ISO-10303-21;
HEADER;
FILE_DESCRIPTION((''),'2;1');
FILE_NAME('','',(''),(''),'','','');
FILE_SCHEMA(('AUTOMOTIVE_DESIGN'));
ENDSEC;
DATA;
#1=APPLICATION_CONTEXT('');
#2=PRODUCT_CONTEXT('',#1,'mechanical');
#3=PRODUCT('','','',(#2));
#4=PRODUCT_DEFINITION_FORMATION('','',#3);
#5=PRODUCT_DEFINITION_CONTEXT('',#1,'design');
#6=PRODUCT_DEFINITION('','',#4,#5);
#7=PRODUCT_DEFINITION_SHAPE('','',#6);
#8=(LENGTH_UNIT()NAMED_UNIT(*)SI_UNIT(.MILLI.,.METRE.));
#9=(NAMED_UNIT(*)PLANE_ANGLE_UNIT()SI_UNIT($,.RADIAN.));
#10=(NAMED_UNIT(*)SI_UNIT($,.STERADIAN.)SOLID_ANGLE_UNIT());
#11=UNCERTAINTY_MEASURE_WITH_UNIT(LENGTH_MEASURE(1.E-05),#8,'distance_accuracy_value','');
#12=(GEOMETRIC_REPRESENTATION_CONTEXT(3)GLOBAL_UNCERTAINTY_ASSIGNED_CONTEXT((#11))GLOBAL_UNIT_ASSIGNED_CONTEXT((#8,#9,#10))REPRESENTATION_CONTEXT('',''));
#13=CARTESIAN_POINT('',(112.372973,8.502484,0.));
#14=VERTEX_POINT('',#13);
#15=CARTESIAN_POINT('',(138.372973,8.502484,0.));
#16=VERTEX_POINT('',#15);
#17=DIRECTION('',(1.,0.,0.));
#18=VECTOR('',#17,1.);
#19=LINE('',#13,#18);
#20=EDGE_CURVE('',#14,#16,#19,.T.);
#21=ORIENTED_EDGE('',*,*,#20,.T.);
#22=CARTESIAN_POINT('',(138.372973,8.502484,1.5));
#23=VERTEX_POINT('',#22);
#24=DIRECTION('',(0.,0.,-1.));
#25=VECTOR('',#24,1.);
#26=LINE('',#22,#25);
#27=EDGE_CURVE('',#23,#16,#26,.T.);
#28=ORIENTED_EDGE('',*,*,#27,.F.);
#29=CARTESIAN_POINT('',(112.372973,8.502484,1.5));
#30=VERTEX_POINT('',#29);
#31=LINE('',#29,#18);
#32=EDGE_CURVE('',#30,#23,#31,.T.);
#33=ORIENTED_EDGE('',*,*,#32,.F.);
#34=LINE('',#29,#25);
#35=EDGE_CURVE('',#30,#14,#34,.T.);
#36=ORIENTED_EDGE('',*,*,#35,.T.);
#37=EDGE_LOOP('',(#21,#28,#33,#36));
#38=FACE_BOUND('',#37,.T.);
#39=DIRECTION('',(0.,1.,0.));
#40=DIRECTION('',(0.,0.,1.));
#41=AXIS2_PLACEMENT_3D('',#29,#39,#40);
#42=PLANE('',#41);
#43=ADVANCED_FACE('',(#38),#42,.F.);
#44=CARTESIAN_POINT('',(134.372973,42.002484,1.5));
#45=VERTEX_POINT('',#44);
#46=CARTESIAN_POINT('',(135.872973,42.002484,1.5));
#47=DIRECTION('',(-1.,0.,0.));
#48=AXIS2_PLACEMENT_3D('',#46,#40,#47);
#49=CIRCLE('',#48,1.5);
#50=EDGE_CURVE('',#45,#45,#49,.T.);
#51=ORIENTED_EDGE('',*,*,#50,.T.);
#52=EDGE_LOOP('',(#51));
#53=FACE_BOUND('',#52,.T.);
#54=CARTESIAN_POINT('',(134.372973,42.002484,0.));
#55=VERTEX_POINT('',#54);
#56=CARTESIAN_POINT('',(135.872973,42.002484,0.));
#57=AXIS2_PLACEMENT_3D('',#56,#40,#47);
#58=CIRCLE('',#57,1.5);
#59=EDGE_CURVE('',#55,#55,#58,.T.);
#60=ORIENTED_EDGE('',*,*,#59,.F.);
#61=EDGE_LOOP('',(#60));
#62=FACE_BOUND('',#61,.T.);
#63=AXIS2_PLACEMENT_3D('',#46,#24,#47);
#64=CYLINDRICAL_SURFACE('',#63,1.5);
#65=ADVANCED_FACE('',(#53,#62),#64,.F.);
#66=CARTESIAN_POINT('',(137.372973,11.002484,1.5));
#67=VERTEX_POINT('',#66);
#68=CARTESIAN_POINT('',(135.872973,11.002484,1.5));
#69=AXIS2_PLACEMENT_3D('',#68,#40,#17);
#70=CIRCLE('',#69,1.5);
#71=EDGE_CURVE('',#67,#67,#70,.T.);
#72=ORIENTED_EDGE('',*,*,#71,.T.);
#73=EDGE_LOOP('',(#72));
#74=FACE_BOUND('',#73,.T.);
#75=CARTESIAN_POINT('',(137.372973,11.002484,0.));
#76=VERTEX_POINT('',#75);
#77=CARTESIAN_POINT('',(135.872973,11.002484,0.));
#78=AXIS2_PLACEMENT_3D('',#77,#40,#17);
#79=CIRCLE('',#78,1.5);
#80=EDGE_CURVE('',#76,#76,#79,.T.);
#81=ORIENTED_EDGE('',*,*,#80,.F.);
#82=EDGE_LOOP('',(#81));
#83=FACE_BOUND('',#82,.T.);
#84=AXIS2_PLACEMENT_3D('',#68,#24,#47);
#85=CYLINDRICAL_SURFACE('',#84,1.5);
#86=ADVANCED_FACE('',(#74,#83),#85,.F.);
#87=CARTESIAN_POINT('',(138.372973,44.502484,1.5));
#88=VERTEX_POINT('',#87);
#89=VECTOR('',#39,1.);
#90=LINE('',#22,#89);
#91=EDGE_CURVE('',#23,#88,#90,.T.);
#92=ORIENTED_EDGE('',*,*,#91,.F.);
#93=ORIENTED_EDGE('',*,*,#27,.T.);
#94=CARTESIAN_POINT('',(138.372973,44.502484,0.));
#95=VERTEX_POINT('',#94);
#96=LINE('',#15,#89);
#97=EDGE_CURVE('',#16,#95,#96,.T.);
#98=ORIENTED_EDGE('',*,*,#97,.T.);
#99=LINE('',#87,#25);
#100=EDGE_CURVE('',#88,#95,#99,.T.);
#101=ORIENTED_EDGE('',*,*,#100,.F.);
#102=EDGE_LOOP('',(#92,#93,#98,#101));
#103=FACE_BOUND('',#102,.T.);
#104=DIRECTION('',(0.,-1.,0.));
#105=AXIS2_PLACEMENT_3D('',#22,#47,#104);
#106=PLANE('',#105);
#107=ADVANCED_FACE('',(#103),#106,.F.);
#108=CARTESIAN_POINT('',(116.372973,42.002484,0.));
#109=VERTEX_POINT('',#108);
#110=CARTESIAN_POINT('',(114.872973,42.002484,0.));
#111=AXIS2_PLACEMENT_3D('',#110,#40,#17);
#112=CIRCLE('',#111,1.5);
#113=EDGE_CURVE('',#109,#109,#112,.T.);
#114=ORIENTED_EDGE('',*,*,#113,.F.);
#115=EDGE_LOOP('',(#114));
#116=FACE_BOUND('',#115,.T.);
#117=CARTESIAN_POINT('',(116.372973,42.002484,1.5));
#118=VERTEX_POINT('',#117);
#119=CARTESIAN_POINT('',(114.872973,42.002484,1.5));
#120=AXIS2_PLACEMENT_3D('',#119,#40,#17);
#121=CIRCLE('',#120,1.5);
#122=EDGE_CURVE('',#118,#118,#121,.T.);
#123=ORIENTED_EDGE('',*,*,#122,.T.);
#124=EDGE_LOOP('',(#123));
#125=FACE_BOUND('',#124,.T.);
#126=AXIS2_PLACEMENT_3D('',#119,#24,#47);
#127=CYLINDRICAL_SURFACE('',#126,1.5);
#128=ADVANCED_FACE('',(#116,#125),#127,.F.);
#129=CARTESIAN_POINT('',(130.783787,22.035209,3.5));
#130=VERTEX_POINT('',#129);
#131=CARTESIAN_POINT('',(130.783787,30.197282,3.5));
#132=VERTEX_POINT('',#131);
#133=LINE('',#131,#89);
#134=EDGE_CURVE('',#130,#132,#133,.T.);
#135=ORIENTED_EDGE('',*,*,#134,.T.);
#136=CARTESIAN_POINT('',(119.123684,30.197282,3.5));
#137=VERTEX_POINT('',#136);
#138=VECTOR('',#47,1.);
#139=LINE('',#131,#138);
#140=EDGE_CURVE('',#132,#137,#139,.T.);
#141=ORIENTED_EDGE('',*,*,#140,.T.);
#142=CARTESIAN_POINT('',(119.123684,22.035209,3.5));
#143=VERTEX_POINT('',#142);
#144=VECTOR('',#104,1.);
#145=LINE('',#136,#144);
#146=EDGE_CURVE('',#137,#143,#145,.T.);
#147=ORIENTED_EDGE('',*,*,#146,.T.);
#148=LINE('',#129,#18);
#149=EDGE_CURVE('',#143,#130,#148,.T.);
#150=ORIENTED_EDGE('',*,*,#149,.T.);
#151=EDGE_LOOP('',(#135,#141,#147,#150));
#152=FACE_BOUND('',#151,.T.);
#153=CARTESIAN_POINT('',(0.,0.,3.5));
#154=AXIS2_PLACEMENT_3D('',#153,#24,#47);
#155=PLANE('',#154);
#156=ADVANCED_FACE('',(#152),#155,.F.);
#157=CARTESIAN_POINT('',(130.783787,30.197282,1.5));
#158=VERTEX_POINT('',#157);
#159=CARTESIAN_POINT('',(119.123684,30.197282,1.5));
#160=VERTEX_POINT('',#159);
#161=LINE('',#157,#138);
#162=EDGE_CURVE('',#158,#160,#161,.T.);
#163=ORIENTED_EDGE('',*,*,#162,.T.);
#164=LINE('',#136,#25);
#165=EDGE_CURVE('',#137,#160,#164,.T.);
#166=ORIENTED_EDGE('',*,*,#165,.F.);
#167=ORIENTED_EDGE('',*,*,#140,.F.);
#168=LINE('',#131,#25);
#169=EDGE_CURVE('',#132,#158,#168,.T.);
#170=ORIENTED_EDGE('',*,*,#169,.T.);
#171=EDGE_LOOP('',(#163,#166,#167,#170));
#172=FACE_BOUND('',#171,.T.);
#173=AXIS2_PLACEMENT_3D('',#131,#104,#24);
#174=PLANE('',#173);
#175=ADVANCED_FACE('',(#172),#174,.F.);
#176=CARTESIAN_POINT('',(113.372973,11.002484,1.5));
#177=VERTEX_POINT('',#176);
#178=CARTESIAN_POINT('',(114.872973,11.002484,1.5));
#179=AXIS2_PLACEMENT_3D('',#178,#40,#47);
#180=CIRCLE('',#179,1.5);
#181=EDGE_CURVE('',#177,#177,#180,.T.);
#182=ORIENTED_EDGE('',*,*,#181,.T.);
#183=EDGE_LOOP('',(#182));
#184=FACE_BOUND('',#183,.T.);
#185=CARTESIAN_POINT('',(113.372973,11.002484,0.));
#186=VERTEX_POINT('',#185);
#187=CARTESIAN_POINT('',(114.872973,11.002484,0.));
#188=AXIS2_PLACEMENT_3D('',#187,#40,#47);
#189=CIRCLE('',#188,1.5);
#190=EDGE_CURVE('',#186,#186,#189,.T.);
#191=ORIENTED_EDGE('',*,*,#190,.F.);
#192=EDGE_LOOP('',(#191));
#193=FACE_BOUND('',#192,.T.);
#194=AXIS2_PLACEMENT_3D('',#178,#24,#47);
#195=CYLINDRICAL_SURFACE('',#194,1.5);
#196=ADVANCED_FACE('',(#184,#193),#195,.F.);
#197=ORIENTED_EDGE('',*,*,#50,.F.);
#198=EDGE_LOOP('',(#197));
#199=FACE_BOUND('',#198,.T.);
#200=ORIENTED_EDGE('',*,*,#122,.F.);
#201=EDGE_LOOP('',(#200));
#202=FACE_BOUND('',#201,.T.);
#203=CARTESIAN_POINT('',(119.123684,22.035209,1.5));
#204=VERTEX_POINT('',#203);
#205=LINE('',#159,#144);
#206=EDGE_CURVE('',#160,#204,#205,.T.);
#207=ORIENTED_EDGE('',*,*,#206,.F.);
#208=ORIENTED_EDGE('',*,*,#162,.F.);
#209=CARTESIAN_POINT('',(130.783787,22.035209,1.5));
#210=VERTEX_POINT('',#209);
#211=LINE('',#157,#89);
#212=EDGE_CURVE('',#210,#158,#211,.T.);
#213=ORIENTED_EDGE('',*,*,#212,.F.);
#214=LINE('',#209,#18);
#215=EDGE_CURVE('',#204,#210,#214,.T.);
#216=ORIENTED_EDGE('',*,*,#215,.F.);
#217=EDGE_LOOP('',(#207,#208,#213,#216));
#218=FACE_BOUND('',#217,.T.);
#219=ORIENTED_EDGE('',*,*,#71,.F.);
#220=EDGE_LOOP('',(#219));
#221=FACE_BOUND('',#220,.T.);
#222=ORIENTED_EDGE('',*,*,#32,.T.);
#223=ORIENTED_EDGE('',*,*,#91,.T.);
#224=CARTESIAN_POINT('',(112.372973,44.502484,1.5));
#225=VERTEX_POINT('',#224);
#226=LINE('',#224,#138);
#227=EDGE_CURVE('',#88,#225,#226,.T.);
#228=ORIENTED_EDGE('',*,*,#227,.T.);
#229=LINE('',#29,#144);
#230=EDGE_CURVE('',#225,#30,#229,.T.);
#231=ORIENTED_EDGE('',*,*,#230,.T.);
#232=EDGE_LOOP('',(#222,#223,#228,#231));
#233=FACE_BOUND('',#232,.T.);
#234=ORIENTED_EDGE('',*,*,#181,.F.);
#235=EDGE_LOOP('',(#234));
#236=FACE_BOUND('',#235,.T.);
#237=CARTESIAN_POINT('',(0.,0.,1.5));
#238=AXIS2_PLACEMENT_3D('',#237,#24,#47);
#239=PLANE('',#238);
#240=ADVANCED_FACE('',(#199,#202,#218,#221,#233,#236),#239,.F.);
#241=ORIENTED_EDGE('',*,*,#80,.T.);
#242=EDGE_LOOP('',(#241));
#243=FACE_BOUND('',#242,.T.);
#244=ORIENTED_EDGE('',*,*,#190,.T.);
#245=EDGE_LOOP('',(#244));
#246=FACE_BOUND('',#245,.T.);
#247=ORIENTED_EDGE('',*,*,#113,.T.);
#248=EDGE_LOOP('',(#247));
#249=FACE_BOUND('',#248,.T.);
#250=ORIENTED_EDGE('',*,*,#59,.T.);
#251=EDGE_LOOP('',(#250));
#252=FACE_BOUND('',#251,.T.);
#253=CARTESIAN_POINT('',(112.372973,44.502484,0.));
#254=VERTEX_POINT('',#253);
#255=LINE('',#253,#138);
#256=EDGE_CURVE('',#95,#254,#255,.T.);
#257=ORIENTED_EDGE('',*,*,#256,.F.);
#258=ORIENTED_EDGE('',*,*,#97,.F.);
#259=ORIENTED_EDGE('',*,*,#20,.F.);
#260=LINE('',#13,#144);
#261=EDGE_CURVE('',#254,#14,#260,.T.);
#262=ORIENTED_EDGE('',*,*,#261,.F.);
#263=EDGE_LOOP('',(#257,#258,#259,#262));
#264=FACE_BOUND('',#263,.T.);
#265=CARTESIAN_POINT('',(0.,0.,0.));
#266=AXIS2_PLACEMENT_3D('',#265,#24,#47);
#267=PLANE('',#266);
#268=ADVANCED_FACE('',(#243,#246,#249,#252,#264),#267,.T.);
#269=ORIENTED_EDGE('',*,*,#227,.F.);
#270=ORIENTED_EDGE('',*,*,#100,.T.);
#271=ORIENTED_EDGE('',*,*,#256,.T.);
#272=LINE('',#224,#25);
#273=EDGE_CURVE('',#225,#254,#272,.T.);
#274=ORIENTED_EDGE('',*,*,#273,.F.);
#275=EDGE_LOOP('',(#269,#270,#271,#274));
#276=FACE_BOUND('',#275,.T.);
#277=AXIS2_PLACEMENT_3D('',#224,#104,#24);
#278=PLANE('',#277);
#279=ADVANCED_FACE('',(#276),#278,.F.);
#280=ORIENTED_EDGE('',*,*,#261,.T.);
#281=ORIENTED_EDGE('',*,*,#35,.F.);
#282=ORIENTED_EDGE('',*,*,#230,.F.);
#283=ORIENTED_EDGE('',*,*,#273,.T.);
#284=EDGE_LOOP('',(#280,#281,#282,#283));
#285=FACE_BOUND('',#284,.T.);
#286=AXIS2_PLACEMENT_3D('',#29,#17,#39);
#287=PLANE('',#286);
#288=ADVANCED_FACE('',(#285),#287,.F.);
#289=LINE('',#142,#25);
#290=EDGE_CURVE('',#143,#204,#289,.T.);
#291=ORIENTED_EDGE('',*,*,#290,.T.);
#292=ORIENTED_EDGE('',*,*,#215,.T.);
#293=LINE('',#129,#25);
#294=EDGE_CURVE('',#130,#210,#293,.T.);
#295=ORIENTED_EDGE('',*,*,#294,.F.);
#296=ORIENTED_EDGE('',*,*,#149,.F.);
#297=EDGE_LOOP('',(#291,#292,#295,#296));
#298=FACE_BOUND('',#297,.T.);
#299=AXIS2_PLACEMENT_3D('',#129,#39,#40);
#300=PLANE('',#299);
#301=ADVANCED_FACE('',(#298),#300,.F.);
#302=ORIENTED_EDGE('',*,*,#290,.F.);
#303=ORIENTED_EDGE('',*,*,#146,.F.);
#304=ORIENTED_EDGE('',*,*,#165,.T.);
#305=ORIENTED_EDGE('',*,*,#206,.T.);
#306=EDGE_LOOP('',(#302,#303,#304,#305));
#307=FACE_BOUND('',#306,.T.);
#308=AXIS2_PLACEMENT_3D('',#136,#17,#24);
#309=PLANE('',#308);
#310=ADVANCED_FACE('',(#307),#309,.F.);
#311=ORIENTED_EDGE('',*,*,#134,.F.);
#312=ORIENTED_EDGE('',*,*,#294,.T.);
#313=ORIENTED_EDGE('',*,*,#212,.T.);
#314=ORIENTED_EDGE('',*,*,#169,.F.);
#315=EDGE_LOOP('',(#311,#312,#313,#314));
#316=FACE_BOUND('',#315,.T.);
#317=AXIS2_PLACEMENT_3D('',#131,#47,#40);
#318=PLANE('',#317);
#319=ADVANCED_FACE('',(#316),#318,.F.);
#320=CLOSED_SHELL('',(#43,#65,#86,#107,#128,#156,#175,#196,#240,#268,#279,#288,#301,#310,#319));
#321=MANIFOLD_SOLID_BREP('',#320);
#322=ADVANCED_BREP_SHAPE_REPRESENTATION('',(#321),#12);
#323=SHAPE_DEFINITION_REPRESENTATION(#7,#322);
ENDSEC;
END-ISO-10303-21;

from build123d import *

# Parameters (mm, degrees)
SKETCH1_W           = 26
SKETCH1_H           = 36
SKETCH1_R           = 1.5
BOSS_EXTRUDE1_DEPTH = 1.5
SKETCH2_W           = 11.660103272
SKETCH2_H           = 8.16207229
BOSS_EXTRUDE2_DEPTH = 2


with BuildPart() as part:
    # Sketch1 → Boss-Extrude1 (new body)
    with BuildSketch(Plane.XY):
        with Locations((125.372972657, 26.502483627)):
            Rectangle(SKETCH1_W, SKETCH1_H)
        with Locations((114.872972657, 42.002483627)):
            Circle(SKETCH1_R, mode=Mode.SUBTRACT)
        with Locations((135.872972657, 42.002483627)):
            Circle(SKETCH1_R, mode=Mode.SUBTRACT)
        with Locations((135.872972657, 11.002483627)):
            Circle(SKETCH1_R, mode=Mode.SUBTRACT)
        with Locations((114.872972657, 11.002483627)):
            Circle(SKETCH1_R, mode=Mode.SUBTRACT)
    extrude(amount=BOSS_EXTRUDE1_DEPTH)

    # Sketch2 → Boss-Extrude2 (add)
    with BuildSketch(Plane.XY.offset(1.5)):
        with Locations((124.95373561, 26.11624552)):
            Rectangle(SKETCH2_W, SKETCH2_H)
    extrude(amount=BOSS_EXTRUDE2_DEPTH)


solid = part.part
